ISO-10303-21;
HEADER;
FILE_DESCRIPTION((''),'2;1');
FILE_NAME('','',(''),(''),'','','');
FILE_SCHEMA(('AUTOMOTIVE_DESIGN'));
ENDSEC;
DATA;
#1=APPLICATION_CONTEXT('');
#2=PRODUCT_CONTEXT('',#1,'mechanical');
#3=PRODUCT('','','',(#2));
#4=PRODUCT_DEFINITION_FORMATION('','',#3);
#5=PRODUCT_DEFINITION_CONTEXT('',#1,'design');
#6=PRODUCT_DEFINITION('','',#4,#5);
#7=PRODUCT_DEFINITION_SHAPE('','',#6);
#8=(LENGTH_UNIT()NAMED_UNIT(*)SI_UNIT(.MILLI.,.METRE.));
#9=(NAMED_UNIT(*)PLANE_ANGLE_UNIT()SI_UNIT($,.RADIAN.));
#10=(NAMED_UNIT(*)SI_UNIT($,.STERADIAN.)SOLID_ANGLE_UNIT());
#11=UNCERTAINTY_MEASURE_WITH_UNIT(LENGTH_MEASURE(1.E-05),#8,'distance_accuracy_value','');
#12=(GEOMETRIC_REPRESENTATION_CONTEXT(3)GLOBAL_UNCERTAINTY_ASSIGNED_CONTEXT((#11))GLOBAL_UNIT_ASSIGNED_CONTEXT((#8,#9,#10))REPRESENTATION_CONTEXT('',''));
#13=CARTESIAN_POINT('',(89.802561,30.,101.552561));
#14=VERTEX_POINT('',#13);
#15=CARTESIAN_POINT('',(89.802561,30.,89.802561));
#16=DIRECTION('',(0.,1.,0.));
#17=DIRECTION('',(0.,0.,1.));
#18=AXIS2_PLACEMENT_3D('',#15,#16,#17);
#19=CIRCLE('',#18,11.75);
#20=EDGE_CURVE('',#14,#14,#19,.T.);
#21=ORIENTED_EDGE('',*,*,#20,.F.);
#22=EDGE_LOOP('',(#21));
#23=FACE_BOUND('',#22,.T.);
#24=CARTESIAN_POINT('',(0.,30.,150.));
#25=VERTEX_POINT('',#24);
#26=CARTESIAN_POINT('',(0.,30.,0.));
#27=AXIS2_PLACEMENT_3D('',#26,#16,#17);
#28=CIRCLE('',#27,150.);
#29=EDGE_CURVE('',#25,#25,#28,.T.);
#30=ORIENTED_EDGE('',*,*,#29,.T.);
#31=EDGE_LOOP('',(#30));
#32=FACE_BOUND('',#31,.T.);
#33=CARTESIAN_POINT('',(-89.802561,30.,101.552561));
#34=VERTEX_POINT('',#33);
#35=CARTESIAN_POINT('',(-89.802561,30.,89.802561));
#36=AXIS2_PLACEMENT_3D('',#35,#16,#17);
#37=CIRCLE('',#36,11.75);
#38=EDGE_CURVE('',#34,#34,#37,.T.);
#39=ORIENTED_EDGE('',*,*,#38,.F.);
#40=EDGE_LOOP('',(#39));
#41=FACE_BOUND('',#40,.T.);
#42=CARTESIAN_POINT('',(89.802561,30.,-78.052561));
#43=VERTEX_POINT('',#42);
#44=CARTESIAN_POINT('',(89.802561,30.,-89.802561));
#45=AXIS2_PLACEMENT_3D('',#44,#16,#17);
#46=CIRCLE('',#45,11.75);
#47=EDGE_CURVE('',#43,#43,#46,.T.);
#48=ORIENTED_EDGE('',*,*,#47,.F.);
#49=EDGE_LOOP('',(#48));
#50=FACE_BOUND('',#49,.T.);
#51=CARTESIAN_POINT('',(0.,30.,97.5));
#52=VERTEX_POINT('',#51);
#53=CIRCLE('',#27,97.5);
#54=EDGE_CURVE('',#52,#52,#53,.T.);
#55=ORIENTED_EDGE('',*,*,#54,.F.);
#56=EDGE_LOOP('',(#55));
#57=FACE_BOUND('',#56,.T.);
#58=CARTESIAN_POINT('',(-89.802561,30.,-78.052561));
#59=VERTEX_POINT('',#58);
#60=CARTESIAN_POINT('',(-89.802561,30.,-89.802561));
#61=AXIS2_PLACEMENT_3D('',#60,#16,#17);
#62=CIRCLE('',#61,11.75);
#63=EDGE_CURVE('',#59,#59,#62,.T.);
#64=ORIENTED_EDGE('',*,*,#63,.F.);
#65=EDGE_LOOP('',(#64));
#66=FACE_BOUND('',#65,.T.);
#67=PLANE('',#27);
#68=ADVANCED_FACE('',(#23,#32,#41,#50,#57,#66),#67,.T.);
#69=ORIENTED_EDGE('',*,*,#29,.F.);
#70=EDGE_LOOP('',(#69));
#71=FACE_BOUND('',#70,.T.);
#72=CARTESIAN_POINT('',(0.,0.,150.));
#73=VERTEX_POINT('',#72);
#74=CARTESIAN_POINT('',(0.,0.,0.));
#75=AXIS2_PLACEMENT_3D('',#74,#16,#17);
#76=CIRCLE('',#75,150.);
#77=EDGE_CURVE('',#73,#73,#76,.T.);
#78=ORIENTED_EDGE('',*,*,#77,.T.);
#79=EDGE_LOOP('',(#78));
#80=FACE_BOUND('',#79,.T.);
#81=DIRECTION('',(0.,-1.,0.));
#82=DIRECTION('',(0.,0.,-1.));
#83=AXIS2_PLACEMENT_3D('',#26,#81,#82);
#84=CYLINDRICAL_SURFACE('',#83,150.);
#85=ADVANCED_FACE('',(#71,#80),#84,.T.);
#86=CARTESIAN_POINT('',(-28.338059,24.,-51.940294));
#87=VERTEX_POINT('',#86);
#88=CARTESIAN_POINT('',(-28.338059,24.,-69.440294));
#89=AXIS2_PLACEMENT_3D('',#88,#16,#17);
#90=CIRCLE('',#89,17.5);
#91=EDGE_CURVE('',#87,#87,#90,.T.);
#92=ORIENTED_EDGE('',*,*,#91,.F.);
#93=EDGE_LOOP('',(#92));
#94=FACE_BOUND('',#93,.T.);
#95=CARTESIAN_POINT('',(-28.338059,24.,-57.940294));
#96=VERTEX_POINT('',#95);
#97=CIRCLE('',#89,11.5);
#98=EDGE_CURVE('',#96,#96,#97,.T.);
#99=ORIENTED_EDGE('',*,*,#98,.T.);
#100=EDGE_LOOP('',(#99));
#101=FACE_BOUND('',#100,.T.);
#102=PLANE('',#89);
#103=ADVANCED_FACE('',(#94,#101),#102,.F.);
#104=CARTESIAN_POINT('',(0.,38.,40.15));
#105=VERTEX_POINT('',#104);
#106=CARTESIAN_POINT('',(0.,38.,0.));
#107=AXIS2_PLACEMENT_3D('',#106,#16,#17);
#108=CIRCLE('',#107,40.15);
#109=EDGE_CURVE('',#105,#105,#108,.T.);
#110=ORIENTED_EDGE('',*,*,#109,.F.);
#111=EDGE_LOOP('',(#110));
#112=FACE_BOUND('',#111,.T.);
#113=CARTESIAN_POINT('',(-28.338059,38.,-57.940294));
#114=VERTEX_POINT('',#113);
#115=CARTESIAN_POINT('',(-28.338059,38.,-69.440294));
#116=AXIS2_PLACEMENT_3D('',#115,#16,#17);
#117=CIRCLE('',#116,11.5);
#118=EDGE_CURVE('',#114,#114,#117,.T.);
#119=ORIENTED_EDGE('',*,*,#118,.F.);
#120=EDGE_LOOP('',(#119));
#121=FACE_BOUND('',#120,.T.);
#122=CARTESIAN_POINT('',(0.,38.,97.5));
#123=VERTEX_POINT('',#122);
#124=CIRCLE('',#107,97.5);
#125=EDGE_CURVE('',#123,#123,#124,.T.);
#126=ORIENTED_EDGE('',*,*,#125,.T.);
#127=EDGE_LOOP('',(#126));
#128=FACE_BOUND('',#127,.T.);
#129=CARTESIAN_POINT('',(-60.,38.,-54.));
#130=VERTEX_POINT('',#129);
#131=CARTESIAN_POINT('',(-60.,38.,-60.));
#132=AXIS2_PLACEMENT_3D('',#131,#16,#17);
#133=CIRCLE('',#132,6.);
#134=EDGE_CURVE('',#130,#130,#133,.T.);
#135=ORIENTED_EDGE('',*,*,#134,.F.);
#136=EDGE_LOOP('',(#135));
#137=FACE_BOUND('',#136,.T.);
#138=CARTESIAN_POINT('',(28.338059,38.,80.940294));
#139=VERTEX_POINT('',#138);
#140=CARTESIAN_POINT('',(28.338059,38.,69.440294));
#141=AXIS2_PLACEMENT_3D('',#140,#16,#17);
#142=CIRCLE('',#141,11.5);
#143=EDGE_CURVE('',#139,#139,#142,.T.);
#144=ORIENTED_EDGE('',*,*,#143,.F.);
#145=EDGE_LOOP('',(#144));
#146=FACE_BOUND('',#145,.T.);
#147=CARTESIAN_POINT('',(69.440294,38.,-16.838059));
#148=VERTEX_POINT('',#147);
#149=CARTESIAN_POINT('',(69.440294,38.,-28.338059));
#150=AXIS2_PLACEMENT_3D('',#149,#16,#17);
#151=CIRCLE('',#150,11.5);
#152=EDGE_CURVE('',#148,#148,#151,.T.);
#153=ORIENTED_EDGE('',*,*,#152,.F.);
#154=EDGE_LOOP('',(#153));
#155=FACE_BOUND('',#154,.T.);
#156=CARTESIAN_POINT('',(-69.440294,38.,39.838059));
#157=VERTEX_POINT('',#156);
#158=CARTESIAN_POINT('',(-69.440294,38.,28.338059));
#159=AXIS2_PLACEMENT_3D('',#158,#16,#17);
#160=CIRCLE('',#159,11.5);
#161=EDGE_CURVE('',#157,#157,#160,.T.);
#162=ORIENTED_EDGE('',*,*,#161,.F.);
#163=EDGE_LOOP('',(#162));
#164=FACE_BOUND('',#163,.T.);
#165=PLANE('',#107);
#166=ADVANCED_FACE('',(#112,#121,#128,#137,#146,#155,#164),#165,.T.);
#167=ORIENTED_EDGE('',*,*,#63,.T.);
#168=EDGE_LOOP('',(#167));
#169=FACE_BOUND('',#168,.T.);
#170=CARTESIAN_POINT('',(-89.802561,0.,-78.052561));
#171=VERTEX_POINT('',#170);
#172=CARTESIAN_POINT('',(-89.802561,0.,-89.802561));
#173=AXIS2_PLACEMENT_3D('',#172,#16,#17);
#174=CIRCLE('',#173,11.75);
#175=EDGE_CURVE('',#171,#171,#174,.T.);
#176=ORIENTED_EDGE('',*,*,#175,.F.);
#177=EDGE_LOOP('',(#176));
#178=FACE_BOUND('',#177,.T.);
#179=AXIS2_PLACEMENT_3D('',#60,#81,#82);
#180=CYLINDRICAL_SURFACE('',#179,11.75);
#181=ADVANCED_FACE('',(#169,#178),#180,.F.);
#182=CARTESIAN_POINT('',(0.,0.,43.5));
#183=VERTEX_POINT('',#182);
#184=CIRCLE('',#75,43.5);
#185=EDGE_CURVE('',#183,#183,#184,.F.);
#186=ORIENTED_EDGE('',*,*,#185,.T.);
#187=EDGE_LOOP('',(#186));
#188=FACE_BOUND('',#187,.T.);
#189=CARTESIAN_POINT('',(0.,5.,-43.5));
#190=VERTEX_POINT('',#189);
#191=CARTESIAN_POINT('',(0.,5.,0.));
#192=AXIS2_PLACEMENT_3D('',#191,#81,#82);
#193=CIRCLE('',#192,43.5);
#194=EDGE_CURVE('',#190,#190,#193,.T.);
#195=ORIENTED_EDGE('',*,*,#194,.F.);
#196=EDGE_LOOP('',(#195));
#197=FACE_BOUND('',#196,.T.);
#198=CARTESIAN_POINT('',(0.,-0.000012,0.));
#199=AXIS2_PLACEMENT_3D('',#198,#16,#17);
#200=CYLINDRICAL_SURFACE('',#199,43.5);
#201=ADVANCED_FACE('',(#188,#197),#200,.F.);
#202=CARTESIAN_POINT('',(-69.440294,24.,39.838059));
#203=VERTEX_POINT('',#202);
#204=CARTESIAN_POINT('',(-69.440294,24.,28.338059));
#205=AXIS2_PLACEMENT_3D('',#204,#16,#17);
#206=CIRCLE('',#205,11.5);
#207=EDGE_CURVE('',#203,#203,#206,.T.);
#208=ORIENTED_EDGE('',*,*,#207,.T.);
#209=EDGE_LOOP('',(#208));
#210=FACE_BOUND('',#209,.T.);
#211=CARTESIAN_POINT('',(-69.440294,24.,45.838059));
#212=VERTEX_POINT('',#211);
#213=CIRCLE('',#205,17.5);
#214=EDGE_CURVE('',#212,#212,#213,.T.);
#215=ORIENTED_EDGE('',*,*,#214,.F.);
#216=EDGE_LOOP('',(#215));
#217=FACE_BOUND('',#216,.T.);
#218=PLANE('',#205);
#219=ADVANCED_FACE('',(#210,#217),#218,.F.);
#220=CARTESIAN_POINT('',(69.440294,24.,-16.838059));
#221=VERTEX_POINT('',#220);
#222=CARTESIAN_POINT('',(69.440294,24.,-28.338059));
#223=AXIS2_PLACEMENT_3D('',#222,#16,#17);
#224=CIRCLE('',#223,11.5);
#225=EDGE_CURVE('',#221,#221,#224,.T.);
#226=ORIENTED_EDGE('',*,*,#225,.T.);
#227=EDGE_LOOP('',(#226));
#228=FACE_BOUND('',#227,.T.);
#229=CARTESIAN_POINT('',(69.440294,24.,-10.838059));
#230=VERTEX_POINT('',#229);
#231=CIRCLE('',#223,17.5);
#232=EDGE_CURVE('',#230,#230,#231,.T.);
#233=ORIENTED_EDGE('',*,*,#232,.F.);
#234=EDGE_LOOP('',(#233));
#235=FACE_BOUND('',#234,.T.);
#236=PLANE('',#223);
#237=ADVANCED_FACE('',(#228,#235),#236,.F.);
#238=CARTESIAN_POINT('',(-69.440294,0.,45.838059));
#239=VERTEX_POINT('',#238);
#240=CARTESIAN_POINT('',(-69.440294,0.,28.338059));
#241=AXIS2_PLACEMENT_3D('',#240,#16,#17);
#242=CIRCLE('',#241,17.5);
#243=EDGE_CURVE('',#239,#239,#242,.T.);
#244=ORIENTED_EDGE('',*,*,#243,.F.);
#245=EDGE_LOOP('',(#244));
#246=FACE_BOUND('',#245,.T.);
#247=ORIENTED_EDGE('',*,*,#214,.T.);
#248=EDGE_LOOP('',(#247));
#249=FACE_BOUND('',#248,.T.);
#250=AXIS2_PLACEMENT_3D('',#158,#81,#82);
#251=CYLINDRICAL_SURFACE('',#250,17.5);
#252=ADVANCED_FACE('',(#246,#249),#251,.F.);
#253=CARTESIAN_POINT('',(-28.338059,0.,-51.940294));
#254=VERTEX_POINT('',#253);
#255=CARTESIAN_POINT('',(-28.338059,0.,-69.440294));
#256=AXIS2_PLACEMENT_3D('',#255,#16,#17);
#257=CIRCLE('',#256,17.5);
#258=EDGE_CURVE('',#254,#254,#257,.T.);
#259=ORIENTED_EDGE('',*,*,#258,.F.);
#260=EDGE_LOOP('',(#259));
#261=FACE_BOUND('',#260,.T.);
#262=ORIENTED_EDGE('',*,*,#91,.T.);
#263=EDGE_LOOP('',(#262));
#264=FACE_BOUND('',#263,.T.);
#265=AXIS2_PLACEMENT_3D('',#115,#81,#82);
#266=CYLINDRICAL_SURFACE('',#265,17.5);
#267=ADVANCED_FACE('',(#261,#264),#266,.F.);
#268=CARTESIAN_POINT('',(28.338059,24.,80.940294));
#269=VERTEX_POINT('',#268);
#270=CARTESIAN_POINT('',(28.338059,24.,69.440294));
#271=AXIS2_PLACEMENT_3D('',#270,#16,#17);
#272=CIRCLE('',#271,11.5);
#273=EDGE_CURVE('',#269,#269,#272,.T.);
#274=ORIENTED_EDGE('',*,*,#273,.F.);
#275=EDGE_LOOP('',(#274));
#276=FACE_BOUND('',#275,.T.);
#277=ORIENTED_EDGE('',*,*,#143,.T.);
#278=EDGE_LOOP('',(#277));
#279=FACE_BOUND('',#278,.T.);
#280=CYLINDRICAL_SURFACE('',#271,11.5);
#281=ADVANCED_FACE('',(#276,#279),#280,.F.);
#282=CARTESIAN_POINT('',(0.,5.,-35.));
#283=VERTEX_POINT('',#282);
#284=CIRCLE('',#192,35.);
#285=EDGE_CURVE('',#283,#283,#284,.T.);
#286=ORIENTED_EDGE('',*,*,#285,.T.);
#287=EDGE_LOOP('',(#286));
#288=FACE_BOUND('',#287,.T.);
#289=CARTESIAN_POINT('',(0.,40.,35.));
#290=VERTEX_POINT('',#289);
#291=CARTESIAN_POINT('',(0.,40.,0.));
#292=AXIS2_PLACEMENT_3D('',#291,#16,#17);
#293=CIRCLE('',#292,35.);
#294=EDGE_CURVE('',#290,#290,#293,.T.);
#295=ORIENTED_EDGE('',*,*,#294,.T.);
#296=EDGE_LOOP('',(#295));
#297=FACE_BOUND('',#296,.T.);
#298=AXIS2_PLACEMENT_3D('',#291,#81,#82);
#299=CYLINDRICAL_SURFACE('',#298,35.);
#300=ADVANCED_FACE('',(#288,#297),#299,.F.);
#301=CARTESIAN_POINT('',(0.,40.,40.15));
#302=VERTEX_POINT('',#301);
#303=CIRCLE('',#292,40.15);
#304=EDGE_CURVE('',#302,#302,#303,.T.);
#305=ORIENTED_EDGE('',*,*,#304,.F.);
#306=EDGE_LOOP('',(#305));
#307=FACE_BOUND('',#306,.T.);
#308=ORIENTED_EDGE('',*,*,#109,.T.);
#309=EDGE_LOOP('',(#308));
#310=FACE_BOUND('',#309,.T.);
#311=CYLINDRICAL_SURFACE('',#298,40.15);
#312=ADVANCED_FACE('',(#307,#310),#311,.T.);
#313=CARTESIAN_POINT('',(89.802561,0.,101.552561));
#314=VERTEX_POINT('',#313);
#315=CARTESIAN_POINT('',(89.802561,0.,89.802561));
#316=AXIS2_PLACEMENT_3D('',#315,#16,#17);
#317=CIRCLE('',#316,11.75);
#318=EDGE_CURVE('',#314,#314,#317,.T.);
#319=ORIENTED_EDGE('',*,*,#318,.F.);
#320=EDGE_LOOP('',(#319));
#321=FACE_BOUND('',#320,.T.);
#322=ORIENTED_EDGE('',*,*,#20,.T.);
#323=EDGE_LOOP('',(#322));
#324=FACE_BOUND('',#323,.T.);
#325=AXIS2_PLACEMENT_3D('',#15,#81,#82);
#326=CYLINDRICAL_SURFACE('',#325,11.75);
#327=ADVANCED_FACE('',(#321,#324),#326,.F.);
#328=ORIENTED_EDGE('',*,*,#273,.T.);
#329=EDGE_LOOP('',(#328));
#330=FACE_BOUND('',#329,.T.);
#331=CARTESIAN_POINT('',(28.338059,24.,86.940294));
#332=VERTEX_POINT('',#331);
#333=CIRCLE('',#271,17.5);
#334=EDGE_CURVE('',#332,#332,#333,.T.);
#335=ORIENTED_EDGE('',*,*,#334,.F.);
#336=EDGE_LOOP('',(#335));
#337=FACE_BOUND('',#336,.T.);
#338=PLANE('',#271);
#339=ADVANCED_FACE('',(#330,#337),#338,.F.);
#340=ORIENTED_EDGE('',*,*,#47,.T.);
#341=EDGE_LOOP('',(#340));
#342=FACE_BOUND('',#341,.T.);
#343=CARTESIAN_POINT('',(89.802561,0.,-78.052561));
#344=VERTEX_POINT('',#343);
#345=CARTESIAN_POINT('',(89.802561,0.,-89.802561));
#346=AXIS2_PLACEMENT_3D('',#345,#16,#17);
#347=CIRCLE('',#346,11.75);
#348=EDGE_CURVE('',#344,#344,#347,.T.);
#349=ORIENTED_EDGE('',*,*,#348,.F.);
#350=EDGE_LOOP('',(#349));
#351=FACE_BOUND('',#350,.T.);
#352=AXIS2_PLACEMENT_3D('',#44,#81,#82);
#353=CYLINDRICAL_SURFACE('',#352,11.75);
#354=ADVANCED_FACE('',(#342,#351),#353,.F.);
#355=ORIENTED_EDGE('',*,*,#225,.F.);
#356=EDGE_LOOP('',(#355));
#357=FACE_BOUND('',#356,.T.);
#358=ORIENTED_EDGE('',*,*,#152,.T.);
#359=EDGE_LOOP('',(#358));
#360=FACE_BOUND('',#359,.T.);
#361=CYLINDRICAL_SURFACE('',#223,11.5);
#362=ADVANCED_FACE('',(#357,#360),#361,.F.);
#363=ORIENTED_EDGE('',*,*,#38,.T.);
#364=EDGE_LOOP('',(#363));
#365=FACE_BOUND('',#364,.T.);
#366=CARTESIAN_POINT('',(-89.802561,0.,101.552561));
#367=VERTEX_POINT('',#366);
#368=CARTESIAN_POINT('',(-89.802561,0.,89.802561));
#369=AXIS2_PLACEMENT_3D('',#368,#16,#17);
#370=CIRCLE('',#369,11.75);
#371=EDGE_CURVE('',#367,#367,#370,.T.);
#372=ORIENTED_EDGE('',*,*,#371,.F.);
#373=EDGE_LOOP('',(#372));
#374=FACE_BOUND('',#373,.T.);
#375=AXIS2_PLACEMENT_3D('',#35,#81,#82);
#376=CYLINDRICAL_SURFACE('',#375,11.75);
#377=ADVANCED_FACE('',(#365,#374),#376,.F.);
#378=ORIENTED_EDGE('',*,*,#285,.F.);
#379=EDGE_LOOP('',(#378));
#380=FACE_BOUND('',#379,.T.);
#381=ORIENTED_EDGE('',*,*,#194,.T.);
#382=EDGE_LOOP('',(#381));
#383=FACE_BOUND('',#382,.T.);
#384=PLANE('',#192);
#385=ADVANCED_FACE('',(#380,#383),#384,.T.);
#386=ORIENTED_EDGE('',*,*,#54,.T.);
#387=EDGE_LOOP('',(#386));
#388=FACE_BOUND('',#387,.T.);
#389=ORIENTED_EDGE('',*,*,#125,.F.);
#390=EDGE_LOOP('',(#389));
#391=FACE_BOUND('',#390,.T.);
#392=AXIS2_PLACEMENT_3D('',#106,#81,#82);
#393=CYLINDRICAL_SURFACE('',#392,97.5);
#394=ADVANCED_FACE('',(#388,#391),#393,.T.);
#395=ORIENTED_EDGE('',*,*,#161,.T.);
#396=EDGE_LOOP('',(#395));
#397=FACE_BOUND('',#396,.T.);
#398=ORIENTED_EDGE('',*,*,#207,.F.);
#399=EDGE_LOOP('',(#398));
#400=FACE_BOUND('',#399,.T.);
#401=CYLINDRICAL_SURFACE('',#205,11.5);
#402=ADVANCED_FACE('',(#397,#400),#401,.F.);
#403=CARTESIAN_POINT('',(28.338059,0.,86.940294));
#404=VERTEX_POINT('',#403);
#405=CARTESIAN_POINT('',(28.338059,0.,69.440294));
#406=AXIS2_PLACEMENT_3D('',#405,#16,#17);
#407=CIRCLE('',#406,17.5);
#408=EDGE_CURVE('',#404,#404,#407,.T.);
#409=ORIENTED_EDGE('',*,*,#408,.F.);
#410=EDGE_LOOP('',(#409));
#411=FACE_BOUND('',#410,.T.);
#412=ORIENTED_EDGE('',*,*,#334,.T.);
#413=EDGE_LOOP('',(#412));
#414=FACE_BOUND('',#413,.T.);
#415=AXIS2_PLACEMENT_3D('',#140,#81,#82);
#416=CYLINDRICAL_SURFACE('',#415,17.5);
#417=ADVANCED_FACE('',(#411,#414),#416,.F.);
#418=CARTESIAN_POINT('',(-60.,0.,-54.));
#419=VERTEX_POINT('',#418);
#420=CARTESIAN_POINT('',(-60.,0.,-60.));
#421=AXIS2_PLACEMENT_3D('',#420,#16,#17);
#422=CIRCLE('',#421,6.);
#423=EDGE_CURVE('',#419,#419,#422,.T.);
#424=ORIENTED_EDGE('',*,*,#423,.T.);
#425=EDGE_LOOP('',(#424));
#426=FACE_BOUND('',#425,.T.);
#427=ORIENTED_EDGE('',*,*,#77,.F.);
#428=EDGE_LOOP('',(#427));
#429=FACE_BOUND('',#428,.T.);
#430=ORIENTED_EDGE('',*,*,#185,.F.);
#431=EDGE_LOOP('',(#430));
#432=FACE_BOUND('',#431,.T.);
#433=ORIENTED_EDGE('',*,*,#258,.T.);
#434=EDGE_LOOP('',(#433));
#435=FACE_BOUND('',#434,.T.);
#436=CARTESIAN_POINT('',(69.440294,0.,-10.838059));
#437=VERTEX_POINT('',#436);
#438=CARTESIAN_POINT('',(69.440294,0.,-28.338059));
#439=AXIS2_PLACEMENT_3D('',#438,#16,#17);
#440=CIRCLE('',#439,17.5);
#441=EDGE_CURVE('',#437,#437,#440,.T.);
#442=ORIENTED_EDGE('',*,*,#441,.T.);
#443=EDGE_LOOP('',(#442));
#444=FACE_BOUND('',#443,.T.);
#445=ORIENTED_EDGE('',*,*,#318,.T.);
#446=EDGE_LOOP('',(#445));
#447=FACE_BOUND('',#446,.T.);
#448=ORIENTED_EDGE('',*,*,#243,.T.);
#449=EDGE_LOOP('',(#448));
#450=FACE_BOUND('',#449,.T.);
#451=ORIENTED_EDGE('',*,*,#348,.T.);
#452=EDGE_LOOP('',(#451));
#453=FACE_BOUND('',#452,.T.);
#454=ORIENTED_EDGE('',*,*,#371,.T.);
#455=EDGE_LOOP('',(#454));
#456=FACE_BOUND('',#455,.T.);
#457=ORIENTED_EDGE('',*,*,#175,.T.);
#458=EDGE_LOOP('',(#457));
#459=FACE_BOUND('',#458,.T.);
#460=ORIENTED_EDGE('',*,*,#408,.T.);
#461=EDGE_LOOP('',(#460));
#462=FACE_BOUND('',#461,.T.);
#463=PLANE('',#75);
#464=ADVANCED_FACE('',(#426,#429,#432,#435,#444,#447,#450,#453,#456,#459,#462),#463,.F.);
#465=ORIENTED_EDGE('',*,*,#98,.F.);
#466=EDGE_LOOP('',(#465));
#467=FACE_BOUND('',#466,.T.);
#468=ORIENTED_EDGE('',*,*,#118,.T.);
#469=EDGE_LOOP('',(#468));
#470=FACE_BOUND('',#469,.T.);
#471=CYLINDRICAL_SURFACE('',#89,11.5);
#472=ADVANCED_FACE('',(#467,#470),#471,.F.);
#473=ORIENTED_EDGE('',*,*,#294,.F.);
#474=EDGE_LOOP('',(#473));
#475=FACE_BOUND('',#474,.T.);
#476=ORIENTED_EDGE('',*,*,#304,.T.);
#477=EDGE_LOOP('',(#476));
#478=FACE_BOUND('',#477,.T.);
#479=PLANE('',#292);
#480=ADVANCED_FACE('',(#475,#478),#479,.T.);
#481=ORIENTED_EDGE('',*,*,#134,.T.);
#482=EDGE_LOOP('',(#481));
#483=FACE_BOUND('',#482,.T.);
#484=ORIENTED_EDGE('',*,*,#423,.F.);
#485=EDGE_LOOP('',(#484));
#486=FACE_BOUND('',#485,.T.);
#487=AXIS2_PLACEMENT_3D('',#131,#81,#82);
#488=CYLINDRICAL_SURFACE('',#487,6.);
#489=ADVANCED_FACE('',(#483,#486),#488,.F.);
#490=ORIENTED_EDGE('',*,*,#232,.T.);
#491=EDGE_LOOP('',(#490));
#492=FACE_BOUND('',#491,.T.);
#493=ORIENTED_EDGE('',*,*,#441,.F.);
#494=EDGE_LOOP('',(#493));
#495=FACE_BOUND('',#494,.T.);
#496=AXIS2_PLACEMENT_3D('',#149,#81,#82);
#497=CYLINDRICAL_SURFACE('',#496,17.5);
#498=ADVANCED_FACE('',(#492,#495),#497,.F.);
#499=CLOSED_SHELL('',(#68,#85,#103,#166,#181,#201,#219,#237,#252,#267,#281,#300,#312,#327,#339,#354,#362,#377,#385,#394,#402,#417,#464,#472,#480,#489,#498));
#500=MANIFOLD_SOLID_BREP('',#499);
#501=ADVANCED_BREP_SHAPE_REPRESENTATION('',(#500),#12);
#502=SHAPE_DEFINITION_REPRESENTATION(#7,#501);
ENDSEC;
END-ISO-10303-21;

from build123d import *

# Parameters (mm, degrees)
SKETCH1_R               = 150
SKETCH1_R_2             = 97.5
SKETCH1_R_3             = 11.75
BOSS_EXTRUDE1_DEPTH     = 30
SKETCH1_3_R             = 97.5
SKETCH1_3_R_2           = 40.15
SKETCH1_3_R_3           = 17.5
SKETCH1_3_R_4           = 6
BOSS_EXTRUDE2_DEPTH     = 38
SKETCH1_4_R             = 40.15
SKETCH1_4_R_2           = 35
BOSS_EXTRUDE3_DEPTH     = 40
BOSS_EXTRUDE4_START     = 38
SKETCH1_5_R             = 17.5
SKETCH1_5_R_2           = 11.5
BOSS_EXTRUDE4_DEPTH     = 14
SKETCH2_R               = 43.5
CUT_EXTRUDE1_DEPTH      = 1
CUT_EXTRUDE1_DEPTH_BACK = 5


with BuildPart() as part:
    # Sketch1 → Boss-Extrude1 (new body)
    with BuildSketch(Plane(origin=(0, 0, 0), x_dir=(1, 0, 0), z_dir=(0, 1, 0))):
        Circle(SKETCH1_R)
        Circle(SKETCH1_R_2, mode=Mode.SUBTRACT)
        with Locations((-89.802561211, -89.802561211)):
            Circle(SKETCH1_R_3, mode=Mode.SUBTRACT)
        with Locations((89.802561211, -89.802561211)):
            Circle(SKETCH1_R_3, mode=Mode.SUBTRACT)
        with Locations((89.802561211, 89.802561211)):
            Circle(SKETCH1_R_3, mode=Mode.SUBTRACT)
        with Locations((-89.802561211, 89.802561211)):
            Circle(SKETCH1_R_3, mode=Mode.SUBTRACT)
    extrude(amount=BOSS_EXTRUDE1_DEPTH)

    # Sketch1<3> → Boss-Extrude2 (add)
    with BuildSketch(Plane(origin=(0, 0, 0), x_dir=(1, 0, 0), z_dir=(0, 1, 0))):
        Circle(SKETCH1_3_R)
        Circle(SKETCH1_3_R_2, mode=Mode.SUBTRACT)
        with Locations((-28.338059011, 69.440293861)):
            Circle(SKETCH1_3_R_3, mode=Mode.SUBTRACT)
        with Locations((-69.440293861, -28.338059011)):
            Circle(SKETCH1_3_R_3, mode=Mode.SUBTRACT)
        with Locations((28.338059011, -69.440293861)):
            Circle(SKETCH1_3_R_3, mode=Mode.SUBTRACT)
        with Locations((69.440293861, 28.338059011)):
            Circle(SKETCH1_3_R_3, mode=Mode.SUBTRACT)
        with Locations((-60, 60)):
            Circle(SKETCH1_3_R_4, mode=Mode.SUBTRACT)
    extrude(amount=BOSS_EXTRUDE2_DEPTH)

    # Sketch1<4> → Boss-Extrude3 (add)
    with BuildSketch(Plane(origin=(0, 0, 0), x_dir=(1, 0, 0), z_dir=(0, 1, 0))):
        Circle(SKETCH1_4_R)
        Circle(SKETCH1_4_R_2, mode=Mode.SUBTRACT)
    extrude(amount=BOSS_EXTRUDE3_DEPTH)

    # Sketch1<5> → Boss-Extrude4 (add)
    with BuildSketch(Plane(origin=(0, 0, 0), x_dir=(1, 0, 0), z_dir=(0, 1, 0)).offset(BOSS_EXTRUDE4_START)):
        with Locations((-28.338059011, 69.440293861)):
            Circle(SKETCH1_5_R)
        with Locations((-28.338059011, 69.440293861)):
            Circle(SKETCH1_5_R_2, mode=Mode.SUBTRACT)
        with Locations((69.440293861, 28.338059011)):
            Circle(SKETCH1_5_R)
        with Locations((69.440293861, 28.338059011)):
            Circle(SKETCH1_5_R_2, mode=Mode.SUBTRACT)
        with Locations((28.338059011, -69.440293861)):
            Circle(SKETCH1_5_R)
        with Locations((28.338059011, -69.440293861)):
            Circle(SKETCH1_5_R_2, mode=Mode.SUBTRACT)
        with Locations((-69.440293861, -28.338059011)):
            Circle(SKETCH1_5_R)
        with Locations((-69.440293861, -28.338059011)):
            Circle(SKETCH1_5_R_2, mode=Mode.SUBTRACT)
    extrude(amount=-BOSS_EXTRUDE4_DEPTH)

    # Sketch2 → Cut-Extrude1 (cut, two sides)
    with BuildSketch(Plane.XZ) as cut_extrude1_sk:
        Circle(SKETCH2_R)
    extrude(amount=CUT_EXTRUDE1_DEPTH, mode=Mode.SUBTRACT)
    extrude(cut_extrude1_sk.sketch, amount=-CUT_EXTRUDE1_DEPTH_BACK, mode=Mode.SUBTRACT)


solid = part.part
